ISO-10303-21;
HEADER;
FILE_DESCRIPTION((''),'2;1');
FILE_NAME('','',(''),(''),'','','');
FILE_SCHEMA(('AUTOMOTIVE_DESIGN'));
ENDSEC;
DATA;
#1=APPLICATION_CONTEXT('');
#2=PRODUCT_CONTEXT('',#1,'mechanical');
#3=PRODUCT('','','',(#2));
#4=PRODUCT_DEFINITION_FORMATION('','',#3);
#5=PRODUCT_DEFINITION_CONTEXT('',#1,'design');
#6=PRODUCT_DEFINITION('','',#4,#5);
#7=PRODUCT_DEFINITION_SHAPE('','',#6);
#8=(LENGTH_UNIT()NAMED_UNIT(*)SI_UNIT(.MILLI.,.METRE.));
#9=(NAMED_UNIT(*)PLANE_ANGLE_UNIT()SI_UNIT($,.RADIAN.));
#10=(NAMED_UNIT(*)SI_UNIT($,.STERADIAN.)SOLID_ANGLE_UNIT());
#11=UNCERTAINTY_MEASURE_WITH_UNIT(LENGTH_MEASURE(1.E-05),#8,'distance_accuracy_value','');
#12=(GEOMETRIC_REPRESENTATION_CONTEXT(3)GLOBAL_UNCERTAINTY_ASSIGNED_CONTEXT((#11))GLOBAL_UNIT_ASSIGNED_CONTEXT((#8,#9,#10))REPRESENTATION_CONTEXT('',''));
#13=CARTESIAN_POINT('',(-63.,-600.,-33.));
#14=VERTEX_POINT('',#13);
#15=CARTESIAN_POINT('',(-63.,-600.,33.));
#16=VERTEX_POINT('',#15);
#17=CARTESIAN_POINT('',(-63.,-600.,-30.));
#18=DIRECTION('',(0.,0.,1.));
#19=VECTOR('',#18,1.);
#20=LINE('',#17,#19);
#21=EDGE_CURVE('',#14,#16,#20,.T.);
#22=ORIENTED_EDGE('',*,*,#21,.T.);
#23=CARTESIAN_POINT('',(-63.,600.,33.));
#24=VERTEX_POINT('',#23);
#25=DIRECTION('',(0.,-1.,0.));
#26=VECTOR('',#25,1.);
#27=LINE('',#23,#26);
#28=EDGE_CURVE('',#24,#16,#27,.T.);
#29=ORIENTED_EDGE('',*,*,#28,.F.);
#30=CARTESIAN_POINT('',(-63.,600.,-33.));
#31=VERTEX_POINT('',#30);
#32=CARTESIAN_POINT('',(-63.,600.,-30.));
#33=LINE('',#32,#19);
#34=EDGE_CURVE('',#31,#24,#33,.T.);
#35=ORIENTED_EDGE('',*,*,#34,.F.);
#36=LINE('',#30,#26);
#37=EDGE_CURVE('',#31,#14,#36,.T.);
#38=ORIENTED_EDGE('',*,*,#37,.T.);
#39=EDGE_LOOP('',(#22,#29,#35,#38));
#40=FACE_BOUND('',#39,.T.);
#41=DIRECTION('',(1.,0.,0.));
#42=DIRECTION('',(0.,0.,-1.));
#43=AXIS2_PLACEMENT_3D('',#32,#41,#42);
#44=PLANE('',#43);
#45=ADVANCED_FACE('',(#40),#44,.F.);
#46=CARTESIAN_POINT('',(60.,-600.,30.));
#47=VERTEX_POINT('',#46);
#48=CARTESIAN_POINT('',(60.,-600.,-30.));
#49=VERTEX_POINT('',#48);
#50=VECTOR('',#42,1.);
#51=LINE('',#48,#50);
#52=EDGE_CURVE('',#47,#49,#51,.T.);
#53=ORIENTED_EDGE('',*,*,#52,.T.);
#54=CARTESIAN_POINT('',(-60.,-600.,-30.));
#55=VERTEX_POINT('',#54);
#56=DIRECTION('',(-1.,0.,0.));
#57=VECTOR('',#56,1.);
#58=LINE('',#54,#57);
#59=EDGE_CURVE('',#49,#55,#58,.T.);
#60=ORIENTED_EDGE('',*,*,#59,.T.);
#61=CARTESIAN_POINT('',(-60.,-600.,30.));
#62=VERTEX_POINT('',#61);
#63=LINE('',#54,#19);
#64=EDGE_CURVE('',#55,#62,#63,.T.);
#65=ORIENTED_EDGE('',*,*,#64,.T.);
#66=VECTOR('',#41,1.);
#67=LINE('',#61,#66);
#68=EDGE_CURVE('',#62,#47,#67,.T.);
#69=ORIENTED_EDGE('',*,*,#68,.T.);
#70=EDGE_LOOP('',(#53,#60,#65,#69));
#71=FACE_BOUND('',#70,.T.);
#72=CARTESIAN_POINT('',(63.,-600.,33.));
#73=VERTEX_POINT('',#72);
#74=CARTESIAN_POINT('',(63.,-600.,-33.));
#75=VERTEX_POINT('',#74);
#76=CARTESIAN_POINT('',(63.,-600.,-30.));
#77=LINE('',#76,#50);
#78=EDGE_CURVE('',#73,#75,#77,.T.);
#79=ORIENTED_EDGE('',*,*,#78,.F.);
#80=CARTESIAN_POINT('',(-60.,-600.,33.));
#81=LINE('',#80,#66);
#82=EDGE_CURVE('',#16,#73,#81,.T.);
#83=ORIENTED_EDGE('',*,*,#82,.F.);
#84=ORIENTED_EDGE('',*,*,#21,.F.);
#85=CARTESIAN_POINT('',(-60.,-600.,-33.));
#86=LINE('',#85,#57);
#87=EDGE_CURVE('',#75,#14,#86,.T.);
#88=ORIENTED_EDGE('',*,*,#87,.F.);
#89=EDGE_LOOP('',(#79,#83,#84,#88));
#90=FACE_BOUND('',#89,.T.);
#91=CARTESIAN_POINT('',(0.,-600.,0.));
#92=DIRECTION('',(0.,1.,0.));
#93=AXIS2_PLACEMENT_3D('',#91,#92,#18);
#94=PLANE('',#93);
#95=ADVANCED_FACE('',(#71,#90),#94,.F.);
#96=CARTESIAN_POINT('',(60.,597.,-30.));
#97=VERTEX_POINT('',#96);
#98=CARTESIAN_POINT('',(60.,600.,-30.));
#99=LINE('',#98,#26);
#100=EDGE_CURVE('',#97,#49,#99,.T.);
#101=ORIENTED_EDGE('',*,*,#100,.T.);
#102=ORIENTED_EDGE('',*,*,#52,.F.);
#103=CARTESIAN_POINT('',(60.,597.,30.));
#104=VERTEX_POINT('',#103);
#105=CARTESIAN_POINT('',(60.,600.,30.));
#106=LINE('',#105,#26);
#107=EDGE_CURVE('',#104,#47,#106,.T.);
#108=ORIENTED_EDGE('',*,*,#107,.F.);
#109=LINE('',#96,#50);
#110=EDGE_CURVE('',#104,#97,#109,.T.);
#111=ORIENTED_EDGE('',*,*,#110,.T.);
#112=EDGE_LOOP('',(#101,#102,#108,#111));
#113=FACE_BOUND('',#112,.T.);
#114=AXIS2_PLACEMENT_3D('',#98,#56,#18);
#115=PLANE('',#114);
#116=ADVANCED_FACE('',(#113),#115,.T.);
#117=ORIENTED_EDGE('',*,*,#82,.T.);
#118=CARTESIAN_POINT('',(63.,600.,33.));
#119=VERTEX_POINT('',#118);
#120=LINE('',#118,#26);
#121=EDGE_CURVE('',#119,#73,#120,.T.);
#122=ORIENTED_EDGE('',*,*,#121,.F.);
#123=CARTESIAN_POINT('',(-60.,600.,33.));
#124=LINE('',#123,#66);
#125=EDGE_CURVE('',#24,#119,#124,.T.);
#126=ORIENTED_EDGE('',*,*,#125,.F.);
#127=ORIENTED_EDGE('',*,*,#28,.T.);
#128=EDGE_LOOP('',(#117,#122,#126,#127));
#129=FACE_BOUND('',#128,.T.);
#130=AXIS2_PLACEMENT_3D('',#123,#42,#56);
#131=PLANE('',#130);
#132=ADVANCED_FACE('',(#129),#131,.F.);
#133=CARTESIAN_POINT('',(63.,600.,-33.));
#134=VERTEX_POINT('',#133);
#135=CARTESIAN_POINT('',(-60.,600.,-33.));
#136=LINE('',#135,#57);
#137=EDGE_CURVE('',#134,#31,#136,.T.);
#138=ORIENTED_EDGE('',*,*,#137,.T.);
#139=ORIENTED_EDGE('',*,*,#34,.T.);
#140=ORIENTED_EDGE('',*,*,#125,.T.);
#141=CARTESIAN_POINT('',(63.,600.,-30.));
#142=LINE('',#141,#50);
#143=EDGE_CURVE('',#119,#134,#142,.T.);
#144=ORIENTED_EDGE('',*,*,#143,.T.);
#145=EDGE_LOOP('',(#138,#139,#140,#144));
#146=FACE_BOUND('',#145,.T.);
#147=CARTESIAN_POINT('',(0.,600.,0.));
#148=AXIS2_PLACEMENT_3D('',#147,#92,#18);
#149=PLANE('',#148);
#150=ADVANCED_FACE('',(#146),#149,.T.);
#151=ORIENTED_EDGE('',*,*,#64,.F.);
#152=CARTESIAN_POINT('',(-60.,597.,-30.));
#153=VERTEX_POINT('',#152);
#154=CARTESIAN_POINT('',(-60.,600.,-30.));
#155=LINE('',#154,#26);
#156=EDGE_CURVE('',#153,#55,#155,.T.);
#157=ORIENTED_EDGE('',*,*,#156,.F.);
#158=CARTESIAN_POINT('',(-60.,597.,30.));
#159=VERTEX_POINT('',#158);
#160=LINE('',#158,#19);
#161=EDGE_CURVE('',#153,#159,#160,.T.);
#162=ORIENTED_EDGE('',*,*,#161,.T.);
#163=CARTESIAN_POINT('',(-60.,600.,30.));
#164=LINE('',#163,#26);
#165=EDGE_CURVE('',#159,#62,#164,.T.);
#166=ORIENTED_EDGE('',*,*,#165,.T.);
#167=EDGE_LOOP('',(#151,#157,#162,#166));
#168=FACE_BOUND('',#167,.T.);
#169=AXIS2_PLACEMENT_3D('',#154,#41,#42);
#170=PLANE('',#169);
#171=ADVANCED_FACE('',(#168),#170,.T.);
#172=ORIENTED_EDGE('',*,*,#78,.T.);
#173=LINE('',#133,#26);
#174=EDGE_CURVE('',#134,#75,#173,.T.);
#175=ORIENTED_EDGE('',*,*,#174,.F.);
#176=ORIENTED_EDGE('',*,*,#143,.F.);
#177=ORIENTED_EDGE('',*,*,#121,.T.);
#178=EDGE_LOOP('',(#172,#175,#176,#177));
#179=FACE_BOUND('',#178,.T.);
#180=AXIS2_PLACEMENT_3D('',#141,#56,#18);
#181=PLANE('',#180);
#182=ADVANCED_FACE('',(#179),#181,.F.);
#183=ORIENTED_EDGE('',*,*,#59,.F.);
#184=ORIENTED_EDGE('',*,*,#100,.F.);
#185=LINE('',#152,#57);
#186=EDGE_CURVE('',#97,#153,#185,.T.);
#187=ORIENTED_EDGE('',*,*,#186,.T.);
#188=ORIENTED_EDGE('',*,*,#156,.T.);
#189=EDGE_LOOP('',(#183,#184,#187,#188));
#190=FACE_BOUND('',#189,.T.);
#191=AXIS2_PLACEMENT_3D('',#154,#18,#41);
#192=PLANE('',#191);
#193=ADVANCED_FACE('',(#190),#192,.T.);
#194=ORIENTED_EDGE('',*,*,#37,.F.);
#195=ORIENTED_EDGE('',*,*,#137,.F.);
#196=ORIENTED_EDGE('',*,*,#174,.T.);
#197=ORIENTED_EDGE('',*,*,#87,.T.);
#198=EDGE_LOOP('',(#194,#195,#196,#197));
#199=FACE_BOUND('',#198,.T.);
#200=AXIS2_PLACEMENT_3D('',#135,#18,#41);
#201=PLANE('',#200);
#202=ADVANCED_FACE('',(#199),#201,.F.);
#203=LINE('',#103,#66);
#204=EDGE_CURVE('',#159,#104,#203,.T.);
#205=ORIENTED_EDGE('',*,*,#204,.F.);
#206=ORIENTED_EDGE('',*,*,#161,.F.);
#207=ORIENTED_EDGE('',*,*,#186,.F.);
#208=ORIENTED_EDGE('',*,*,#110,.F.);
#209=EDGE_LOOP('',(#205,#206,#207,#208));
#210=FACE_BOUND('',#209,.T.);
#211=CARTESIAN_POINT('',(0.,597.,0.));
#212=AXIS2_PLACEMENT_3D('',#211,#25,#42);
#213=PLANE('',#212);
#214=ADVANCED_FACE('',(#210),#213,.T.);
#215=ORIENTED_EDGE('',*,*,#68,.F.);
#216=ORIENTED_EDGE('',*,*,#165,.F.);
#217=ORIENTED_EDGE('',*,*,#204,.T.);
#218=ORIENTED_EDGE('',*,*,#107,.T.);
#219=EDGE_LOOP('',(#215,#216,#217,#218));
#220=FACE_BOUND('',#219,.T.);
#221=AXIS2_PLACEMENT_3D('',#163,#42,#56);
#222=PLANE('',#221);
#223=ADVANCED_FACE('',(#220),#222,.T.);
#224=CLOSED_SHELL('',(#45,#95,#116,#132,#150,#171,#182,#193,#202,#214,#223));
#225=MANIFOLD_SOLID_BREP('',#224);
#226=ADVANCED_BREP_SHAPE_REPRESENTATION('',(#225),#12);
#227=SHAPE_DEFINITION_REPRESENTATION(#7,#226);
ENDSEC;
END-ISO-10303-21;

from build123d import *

# Parameters (mm, degrees)
SKETCH1_W           = 126
SKETCH1_H           = 66
SKETCH1_W_2         = 120
SKETCH1_H_2         = 60
EXTRUDE_THIN1_DEPTH = 600
SKETCH2_W           = 120
SKETCH2_H           = 60
BOSS_EXTRUDE1_DEPTH = 3


with BuildPart() as part:
    # Sketch1 → Extrude-Thin1 (new, symmetric)
    with BuildSketch(Plane(origin=(0, 0, 0), x_dir=(1, 0, 0), z_dir=(0, 1, 0))):
        Rectangle(SKETCH1_W, SKETCH1_H)
        Rectangle(SKETCH1_W_2, SKETCH1_H_2, mode=Mode.SUBTRACT)
    extrude(amount=EXTRUDE_THIN1_DEPTH, both=True)

    # Sketch2 → Boss-Extrude1 (add)
    with BuildSketch(Plane(origin=(0, 600, 0), x_dir=(1, 0, 0), z_dir=(0, 1, 0))):
        Rectangle(SKETCH2_W, SKETCH2_H)
    extrude(amount=-BOSS_EXTRUDE1_DEPTH)


solid = part.part
